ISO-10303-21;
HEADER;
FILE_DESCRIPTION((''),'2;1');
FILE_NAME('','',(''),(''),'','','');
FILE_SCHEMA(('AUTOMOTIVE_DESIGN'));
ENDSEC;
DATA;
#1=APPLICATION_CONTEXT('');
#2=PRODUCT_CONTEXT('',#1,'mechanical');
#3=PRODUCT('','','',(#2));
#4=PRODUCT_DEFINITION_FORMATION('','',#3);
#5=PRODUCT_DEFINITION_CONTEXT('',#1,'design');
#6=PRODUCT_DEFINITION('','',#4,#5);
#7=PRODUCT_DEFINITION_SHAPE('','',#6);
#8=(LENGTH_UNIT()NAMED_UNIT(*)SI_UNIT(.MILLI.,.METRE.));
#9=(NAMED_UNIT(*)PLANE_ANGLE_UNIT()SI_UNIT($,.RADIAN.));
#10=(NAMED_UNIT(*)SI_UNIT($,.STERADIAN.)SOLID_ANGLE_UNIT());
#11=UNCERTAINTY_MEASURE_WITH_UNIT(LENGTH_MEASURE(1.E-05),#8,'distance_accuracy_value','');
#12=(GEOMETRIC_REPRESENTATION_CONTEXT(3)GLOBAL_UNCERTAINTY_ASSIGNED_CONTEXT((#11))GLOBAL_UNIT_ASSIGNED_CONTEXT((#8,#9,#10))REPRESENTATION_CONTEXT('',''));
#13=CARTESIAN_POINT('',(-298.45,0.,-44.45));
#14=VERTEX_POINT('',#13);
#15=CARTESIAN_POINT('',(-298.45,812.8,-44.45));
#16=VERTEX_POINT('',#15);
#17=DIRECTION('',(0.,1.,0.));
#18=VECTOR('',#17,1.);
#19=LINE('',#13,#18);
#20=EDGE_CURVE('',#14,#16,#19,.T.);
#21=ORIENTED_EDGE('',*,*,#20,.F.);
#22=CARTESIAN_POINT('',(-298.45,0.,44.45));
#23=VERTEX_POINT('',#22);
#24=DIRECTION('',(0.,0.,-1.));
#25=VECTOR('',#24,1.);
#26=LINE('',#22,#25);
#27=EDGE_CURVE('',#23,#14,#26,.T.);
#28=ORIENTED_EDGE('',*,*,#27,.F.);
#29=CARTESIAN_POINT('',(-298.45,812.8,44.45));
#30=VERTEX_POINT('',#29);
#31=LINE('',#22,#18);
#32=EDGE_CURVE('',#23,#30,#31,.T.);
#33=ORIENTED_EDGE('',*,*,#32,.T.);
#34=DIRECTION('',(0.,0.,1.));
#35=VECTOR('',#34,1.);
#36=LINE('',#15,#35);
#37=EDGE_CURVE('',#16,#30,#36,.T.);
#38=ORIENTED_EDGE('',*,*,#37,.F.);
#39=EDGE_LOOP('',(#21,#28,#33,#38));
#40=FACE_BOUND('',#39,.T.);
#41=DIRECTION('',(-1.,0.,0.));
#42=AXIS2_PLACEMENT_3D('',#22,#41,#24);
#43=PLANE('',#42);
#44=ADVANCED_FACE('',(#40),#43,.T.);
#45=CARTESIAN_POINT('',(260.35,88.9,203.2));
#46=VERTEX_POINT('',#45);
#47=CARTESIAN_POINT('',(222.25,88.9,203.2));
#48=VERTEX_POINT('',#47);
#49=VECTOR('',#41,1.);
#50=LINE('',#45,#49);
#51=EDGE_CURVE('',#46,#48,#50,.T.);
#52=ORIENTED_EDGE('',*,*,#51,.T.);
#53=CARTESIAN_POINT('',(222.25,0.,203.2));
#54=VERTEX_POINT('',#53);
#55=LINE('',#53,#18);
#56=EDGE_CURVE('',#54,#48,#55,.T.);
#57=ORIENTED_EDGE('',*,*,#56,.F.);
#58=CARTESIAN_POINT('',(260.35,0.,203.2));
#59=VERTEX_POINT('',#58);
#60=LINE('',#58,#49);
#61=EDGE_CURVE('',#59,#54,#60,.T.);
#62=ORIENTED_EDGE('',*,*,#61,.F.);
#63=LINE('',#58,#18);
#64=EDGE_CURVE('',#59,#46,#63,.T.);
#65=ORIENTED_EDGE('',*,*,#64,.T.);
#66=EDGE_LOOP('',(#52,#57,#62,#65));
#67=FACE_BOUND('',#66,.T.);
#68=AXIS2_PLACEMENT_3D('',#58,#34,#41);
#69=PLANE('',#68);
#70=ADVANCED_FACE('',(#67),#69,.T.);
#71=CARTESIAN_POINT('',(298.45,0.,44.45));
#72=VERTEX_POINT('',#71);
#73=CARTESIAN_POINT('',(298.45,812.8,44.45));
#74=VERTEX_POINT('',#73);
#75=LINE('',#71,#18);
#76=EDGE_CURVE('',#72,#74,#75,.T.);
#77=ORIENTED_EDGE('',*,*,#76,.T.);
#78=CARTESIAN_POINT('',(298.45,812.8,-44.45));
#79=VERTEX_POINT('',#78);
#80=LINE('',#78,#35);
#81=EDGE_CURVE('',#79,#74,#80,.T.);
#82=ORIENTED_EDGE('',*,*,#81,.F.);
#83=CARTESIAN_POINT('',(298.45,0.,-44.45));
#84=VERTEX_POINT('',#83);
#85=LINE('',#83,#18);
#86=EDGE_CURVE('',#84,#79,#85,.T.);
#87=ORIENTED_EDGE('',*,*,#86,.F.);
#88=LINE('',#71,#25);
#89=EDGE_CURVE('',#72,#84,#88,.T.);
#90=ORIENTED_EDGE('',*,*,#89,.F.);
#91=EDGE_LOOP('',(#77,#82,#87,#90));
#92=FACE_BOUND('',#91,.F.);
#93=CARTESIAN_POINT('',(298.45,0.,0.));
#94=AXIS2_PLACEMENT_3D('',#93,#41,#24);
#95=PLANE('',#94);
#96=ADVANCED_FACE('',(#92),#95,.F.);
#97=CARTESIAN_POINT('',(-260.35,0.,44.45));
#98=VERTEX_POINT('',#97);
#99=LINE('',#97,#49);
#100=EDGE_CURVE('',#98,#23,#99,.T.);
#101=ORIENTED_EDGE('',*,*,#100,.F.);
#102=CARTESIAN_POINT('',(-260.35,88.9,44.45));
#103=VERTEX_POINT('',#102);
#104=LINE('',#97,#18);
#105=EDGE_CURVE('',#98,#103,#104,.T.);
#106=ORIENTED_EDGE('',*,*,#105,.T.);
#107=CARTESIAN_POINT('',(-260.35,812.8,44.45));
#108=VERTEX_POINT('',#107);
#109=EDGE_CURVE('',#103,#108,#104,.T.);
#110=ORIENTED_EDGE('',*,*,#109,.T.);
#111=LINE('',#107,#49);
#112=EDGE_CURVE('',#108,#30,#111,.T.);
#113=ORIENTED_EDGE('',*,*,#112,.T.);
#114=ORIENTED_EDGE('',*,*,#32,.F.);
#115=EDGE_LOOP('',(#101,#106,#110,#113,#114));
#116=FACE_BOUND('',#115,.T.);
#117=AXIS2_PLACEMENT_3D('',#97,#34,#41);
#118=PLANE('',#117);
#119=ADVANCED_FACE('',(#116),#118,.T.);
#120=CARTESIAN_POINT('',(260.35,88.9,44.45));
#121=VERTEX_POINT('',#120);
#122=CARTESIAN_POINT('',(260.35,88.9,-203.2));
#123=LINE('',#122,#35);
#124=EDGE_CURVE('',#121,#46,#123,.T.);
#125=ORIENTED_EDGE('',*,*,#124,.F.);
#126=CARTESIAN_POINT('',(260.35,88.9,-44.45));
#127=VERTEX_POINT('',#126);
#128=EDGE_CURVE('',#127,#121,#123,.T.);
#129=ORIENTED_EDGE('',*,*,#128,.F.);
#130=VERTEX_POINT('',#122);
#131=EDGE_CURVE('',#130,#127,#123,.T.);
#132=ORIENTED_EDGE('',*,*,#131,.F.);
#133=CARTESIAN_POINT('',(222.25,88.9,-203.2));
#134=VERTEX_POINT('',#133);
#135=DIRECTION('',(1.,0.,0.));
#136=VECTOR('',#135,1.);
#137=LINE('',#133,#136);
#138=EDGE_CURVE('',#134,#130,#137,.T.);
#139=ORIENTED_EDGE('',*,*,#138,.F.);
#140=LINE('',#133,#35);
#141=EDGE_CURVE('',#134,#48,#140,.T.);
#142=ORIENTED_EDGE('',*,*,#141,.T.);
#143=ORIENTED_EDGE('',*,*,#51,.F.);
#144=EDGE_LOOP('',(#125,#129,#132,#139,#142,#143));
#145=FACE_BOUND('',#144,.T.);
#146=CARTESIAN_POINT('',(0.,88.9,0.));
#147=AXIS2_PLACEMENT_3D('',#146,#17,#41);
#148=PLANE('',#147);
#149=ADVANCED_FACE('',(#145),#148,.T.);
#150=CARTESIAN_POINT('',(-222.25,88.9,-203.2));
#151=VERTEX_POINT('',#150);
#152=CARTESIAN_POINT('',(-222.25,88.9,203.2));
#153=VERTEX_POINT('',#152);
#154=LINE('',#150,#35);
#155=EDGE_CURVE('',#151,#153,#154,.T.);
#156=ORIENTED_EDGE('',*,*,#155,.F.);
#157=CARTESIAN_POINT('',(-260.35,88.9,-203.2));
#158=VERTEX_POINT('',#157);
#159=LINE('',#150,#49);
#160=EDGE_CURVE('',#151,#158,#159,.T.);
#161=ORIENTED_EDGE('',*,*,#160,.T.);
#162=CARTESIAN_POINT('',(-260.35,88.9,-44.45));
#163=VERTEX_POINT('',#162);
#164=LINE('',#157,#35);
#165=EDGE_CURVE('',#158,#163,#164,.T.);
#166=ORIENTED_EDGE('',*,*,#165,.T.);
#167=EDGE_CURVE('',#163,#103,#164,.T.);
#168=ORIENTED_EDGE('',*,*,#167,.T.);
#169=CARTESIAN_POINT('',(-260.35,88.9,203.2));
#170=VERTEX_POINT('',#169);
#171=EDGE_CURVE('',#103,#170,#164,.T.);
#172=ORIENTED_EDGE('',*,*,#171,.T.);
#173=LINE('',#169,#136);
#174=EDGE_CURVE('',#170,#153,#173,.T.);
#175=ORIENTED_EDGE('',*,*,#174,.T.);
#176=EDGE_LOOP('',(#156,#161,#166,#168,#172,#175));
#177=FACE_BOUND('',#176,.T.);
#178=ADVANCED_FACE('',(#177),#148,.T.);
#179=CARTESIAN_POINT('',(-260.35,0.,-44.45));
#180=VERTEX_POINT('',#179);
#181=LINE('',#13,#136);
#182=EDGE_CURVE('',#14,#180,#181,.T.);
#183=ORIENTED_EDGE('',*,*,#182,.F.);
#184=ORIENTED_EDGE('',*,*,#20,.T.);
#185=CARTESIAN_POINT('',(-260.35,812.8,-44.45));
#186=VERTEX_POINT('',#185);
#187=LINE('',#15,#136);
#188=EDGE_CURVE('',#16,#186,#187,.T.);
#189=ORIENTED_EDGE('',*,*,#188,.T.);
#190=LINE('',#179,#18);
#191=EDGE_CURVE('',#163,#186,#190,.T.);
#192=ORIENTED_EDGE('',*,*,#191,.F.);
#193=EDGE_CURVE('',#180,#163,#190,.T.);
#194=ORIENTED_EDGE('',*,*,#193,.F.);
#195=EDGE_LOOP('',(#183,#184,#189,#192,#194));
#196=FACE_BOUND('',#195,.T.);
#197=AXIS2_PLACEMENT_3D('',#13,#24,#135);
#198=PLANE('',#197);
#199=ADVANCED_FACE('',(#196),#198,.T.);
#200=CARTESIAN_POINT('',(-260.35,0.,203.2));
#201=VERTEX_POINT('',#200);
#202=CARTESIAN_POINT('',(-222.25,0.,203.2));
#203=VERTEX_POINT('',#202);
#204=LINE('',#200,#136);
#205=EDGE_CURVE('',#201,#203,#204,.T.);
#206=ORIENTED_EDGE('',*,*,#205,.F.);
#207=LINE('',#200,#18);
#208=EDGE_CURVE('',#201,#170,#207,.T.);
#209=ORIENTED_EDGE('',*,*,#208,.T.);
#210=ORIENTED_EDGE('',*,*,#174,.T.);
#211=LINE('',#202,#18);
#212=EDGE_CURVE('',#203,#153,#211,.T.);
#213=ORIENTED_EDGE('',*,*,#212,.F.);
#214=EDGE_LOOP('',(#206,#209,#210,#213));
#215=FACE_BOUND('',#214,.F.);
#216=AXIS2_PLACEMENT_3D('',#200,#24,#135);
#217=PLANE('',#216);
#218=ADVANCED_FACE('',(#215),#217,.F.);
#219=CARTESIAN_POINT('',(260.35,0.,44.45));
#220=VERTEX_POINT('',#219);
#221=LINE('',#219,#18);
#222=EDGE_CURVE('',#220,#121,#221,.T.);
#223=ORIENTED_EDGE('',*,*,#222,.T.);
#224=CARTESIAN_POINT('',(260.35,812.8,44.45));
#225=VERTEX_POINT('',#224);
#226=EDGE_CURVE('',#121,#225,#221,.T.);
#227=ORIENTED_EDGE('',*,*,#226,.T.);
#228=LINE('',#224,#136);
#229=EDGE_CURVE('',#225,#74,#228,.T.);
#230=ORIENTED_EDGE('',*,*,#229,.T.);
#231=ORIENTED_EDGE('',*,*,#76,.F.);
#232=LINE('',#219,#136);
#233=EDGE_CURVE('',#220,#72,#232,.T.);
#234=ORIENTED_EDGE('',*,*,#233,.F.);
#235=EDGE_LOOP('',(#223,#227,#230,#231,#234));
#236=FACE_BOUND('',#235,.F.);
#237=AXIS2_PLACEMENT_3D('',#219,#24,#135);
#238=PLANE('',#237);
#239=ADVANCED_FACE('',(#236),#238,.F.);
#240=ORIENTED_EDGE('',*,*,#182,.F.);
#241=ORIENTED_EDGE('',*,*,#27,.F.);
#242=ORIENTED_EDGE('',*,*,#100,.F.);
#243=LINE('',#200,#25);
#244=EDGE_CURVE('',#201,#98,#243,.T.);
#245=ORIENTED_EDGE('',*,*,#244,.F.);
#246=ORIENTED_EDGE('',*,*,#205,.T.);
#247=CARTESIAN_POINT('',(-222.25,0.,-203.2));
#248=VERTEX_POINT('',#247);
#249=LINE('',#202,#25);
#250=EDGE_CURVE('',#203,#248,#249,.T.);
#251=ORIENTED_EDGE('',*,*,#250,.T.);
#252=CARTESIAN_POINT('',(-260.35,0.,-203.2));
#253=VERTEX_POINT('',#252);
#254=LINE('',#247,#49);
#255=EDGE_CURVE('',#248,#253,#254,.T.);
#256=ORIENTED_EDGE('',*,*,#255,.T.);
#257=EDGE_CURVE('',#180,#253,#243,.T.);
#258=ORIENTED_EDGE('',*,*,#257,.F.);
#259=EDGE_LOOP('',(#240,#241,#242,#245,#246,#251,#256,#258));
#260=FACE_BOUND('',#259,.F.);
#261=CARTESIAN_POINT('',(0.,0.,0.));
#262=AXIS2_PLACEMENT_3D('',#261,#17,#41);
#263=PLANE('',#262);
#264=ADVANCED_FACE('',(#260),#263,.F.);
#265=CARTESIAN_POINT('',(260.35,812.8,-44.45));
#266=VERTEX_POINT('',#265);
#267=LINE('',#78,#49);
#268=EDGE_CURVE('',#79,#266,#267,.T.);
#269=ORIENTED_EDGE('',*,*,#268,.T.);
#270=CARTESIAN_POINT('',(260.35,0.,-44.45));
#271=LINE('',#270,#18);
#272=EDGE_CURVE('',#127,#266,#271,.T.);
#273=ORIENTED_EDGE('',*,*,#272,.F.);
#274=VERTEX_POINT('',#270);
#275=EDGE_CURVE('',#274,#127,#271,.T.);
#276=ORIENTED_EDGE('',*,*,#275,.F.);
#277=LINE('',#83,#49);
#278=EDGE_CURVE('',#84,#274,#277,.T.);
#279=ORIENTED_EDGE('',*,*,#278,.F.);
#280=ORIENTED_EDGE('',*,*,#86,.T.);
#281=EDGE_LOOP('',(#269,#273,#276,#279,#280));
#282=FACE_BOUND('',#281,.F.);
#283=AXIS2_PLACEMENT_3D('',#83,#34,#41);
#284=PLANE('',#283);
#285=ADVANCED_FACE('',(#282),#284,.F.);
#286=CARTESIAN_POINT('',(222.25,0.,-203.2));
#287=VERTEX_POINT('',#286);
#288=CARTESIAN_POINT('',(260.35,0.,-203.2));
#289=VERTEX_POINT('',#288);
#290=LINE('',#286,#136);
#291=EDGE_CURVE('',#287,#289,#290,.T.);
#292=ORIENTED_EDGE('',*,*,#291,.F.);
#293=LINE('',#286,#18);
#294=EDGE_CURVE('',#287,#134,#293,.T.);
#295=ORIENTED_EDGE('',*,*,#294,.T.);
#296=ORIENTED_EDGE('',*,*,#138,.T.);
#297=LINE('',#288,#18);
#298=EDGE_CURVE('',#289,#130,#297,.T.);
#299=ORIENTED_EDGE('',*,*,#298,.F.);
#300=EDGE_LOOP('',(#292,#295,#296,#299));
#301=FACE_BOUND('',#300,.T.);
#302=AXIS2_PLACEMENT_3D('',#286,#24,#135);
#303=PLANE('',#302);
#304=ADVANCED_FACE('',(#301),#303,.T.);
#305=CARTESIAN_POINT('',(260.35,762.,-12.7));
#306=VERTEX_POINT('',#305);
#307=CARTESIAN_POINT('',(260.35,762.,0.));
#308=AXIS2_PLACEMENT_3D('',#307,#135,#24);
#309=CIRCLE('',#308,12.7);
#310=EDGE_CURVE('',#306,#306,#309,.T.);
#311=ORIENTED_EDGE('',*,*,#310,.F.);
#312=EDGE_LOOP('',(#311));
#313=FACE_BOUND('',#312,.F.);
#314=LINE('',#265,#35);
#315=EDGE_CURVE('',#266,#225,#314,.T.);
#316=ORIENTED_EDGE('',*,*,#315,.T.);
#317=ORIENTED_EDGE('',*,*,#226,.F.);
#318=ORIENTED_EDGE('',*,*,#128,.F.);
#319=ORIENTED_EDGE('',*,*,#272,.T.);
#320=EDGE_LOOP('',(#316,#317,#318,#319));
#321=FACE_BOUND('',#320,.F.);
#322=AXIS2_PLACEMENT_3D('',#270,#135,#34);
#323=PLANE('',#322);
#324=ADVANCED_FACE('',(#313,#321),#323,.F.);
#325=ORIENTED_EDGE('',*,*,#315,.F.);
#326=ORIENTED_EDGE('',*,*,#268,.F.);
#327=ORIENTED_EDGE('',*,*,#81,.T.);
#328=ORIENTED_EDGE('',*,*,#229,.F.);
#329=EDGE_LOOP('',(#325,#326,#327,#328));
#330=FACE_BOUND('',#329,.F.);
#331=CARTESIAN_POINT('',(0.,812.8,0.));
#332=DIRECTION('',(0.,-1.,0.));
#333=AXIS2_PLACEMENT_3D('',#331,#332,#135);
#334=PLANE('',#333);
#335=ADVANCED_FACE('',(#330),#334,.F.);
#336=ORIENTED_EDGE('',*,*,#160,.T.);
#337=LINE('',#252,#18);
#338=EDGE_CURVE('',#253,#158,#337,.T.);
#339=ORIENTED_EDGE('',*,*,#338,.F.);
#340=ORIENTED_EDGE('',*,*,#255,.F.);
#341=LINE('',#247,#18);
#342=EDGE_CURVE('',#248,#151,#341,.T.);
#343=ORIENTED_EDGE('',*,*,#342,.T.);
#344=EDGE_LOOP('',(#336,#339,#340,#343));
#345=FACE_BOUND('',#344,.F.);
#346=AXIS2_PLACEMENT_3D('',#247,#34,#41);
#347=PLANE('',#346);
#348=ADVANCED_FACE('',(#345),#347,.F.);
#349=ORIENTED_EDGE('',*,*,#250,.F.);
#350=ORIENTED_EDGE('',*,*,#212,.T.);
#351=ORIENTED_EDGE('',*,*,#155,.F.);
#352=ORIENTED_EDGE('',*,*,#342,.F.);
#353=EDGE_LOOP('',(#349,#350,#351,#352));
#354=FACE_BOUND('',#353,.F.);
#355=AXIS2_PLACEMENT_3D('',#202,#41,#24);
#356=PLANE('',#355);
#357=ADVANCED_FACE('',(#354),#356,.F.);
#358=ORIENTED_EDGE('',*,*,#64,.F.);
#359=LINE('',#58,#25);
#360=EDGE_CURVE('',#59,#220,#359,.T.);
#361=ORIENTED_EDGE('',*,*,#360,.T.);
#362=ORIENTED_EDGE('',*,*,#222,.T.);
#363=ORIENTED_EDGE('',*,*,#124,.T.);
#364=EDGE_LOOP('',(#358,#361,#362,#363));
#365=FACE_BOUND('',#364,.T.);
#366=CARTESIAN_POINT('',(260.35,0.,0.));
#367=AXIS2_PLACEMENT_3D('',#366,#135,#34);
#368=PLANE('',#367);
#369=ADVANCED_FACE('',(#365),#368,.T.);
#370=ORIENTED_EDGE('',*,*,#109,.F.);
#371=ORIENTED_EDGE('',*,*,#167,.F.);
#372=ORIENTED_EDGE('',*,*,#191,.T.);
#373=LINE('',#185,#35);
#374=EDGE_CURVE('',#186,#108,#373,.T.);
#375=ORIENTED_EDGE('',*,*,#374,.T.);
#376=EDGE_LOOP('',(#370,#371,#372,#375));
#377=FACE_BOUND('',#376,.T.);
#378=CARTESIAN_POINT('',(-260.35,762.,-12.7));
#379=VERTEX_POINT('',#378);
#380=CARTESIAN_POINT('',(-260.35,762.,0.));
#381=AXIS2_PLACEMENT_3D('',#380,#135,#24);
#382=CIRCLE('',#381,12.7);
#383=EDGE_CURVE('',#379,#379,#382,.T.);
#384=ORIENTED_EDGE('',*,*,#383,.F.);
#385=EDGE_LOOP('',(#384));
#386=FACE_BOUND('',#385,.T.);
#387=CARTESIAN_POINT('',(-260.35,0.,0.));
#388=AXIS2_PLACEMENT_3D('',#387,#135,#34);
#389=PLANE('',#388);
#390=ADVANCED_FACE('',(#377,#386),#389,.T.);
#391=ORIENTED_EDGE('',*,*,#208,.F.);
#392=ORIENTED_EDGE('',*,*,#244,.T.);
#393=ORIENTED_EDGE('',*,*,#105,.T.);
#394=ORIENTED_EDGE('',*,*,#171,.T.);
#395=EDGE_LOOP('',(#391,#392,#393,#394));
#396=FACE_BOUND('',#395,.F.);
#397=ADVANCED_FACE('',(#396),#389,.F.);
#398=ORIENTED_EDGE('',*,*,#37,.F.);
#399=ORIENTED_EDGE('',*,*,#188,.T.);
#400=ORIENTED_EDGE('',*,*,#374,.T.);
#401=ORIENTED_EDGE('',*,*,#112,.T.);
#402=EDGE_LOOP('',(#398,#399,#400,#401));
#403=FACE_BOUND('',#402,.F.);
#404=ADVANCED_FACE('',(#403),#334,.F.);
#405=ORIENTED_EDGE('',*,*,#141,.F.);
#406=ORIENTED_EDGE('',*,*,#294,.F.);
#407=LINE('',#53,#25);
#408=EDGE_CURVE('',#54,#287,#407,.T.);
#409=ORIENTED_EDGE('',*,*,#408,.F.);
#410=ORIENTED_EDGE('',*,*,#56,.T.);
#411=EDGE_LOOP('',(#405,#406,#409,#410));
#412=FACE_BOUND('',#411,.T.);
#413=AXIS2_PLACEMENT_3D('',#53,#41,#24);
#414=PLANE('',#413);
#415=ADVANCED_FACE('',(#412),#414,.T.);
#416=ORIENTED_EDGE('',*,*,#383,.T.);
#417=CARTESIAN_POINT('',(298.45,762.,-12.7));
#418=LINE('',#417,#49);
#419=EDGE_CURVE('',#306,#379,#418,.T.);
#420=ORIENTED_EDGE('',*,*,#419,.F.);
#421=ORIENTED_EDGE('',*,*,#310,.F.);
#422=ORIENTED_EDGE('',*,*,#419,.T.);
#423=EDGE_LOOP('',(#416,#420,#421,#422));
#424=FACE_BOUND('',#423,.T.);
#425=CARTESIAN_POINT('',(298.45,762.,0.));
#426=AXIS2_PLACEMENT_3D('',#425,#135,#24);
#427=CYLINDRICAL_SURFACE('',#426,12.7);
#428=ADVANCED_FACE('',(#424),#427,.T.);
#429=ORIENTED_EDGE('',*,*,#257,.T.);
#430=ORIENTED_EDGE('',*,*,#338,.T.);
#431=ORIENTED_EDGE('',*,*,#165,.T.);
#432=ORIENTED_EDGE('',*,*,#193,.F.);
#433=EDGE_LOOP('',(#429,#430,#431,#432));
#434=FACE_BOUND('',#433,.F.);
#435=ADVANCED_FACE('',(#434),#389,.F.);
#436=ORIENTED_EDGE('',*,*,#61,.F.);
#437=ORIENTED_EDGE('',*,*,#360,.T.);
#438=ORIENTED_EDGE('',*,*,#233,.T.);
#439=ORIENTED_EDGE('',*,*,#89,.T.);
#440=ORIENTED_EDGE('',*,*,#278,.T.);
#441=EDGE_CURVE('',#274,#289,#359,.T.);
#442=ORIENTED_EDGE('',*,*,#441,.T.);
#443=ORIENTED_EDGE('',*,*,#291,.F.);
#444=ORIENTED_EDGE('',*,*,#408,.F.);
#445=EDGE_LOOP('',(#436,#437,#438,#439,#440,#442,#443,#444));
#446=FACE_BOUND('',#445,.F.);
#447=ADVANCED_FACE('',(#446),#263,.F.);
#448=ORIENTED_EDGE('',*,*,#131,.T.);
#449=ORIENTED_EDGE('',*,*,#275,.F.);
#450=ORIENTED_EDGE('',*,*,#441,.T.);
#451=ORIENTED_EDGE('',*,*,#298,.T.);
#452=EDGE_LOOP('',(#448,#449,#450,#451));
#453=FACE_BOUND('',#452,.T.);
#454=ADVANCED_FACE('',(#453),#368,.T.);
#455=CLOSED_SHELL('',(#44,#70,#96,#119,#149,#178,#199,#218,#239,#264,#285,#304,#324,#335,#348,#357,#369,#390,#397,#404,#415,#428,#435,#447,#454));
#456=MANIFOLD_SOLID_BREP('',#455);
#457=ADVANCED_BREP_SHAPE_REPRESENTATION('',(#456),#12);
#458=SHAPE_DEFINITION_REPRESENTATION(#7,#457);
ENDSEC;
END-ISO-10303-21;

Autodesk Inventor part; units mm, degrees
ref_plane "YZ Plane" through (0, 0, 0) normal (1, 0, 0) x (0, 1, 0)
ref_plane "XZ Plane" through (0, 0, 0) normal (0, 1, 0) x (-1, 0, 0)
ref_plane "XY Plane" through (0, 0, 0) normal (0, 0, 1) x (1, 0, 0)
sketch "Sketch1" plane through (0, 0, 0) normal (0, 1, 0) x (-1, 0, 0)
  line L0 (0, -284.48) -> (0, 284.48) projected
  line L1 (-364.49, 0) -> (364.49, 0) projected
  line L2 (260.35, 203.2) -> (222.25, 203.2)
  line L3 (222.25, 203.2) -> (222.25, -203.2)
  line L4 (222.25, -203.2) -> (260.35, -203.2)
  line L5 (260.35, -203.2) -> (260.35, 203.2)
  line L6 (260.35, 203.2) -> (222.25, -203.2) construction
  line L7 (222.25, 203.2) -> (260.35, -203.2) construction
  line L8 (-260.35, 203.2) -> (-222.25, 203.2)
  line L9 (-222.25, 203.2) -> (-222.25, -203.2)
  line L10 (-222.25, -203.2) -> (-260.35, -203.2)
  line L11 (-260.35, -203.2) -> (-260.35, 203.2)
  line L12 (-260.35, 203.2) -> (-222.25, -203.2) construction
  line L13 (-222.25, 203.2) -> (-260.35, -203.2) construction
  point P0 (0, 0)
  point P1 (241.3, 0)
  point P2 (-241.3, 0)
  dimension "d0" = 38.1
  dimension "d1" = 406.4
  dimension "d3" = 260.35
extrude "Extrusion1" add sketch "Sketch1" along normal blind 88.9
sketch "Sketch2" plane through (0, 0, 0) normal (0, -1, 0) x (1, 0, 0)
  line L0 (-260.35, 203.2) -> (-222.25, 203.2) projected
  line L1 (-260.35, -203.2) -> (-260.35, 203.2) projected
  line L2 (-222.25, -203.2) -> (-260.35, -203.2) projected
  line L3 (-222.25, 203.2) -> (-222.25, -203.2) projected
  line L4 (260.35, 203.2) -> (222.25, 203.2) projected
  line L5 (222.25, 203.2) -> (222.25, -203.2) projected
  line L6 (222.25, -203.2) -> (260.35, -203.2) projected
  line L7 (260.35, -203.2) -> (260.35, 203.2) projected
  line L8 (-417.83, 0) -> (417.83, 0) projected
  line L9 (-298.45, -44.45) -> (-260.35, -44.45)
  line L10 (-260.35, -44.45) -> (-260.35, 44.45)
  line L11 (-260.35, 44.45) -> (-298.45, 44.45)
  line L12 (-298.45, 44.45) -> (-298.45, -44.45)
  line L13 (-298.45, -44.45) -> (-260.35, 44.45) construction
  line L14 (-260.35, -44.45) -> (-298.45, 44.45) construction
  line L15 (0, 284.48) -> (0, -284.48) projected
  line L16 (298.45, -44.45) -> (260.35, -44.45)
  line L17 (260.35, -44.45) -> (260.35, 44.45)
  line L18 (260.35, 44.45) -> (298.45, 44.45)
  line L19 (298.45, 44.45) -> (298.45, -44.45)
  line L20 (298.45, -44.45) -> (260.35, 44.45) construction
  line L21 (260.35, -44.45) -> (298.45, 44.45) construction
  point P0 (0, 0)
  point P1 (-279.4, 0)
  point P2 (279.4, 0)
  dimension "d6" = 38.1
  dimension "d7" = 88.9
extrude "Extrusion2" add sketch "Sketch2" against normal blind 812.8 contours L1 L8 L12 L11 | L1 L9 L12 L8 | L8 L19 L16 L7 | L7 L18 L19 L8
sketch "Sketch3" plane through (298.45, 0, 44.45) normal (1, 0, 0) x (0, 0, -1)
  line L0 (88.9, 0) -> (0, 0) projected
  line L1 (88.9, 0) -> (88.9, 812.8) projected
  line L2 (0, 812.8) -> (88.9, 812.8) projected
  line L3 (0, 0) -> (0, 812.8) projected
  line L4 (44.45, -162.56) -> (44.45, 975.36) projected
  circle A0 centre (44.45, 762) radius 12.7
  point P0 (44.45, 0)
  dimension "d10" = 25.4
  dimension "d11" = 762
extrude "Extrusion3" add sketch "Sketch3" against normal up to surface (596.9 mm away) contours A0 L4 | L4 A0
properties part number "Perch"
